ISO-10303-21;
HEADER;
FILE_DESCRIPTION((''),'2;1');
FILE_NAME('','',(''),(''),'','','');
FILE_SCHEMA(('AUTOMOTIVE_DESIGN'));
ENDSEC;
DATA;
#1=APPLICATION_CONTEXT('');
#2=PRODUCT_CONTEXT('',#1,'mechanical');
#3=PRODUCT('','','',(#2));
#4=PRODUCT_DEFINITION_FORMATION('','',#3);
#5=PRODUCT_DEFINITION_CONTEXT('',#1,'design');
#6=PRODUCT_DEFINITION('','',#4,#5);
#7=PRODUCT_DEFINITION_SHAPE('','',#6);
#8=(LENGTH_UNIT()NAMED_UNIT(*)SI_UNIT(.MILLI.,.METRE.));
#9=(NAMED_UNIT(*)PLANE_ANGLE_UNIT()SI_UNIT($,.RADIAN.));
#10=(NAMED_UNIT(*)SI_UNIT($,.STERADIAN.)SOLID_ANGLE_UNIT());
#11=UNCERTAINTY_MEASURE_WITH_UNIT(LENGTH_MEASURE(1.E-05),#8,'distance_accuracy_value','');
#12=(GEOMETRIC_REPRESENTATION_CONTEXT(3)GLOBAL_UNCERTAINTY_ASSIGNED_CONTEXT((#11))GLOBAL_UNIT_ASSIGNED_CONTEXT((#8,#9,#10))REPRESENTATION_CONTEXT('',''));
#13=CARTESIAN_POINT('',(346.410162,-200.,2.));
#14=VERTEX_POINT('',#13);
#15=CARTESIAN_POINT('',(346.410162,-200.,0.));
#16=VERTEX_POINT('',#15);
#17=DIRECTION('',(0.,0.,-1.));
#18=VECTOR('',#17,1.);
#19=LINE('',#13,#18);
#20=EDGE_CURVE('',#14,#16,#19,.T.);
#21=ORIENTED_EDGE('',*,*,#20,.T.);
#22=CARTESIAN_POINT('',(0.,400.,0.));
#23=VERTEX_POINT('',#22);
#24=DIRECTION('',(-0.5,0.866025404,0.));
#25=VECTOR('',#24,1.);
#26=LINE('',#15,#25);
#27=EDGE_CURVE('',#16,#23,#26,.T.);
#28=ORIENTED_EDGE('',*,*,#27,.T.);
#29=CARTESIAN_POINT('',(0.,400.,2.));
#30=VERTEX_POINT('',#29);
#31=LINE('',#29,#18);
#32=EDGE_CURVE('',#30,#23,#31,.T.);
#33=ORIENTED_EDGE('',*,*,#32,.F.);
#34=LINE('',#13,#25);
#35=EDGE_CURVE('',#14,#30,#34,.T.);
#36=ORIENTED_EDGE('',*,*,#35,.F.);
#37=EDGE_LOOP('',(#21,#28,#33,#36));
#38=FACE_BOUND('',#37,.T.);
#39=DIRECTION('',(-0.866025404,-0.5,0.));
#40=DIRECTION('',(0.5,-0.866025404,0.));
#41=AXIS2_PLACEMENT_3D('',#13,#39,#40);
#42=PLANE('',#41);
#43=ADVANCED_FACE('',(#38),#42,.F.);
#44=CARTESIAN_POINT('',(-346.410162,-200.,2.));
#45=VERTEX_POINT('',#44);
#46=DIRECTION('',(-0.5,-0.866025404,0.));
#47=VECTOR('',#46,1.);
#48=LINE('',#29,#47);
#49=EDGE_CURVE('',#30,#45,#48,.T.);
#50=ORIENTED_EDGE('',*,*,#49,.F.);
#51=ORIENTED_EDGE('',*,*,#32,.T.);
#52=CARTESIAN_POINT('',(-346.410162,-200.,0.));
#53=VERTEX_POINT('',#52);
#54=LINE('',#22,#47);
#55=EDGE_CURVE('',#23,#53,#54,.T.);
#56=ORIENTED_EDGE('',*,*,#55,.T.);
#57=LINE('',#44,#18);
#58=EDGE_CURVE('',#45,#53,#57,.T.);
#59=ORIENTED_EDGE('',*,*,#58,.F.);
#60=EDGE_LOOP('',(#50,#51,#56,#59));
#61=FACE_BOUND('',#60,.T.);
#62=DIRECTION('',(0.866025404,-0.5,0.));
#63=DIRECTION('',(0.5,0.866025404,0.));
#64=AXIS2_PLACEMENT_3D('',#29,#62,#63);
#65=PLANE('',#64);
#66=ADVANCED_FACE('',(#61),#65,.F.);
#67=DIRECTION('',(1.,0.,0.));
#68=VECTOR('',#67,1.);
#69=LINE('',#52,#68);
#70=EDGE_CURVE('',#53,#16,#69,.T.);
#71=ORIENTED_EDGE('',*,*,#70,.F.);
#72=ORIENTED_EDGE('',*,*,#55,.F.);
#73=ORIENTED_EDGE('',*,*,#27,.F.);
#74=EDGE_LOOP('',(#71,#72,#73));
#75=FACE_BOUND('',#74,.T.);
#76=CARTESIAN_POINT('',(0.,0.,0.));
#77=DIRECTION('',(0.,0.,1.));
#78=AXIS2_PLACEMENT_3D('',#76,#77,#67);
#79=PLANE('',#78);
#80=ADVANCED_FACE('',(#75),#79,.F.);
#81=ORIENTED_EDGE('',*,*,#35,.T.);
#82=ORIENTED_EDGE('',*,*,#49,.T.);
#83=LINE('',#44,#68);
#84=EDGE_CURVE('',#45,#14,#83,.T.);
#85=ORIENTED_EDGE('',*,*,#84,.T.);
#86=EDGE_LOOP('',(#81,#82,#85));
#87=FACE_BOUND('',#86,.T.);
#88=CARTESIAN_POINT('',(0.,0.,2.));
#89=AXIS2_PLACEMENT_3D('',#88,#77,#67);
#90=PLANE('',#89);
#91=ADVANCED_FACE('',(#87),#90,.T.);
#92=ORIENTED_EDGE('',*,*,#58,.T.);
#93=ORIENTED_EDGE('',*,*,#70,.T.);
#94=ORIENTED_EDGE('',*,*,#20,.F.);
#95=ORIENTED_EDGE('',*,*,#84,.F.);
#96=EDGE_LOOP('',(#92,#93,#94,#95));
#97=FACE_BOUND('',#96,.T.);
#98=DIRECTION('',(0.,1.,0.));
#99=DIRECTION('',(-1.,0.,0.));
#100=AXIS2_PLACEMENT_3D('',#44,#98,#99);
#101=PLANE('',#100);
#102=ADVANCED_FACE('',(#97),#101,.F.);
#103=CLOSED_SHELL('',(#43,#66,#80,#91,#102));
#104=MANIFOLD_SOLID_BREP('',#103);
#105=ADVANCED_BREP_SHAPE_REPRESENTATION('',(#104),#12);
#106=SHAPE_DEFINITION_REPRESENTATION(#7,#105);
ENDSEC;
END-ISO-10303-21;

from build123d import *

# Parameters (mm, degrees)
EXTRUDE_1_DEPTH = 2


with BuildPart() as part:
    # Эскиз1 → Бобышка-Вытянуть1 (new body)
    with BuildSketch(Plane.XY):
        Polygon((0, 400), (-346.410161514, -200), (346.410161514, -200), align=None)
    extrude(amount=EXTRUDE_1_DEPTH)


solid = part.part
